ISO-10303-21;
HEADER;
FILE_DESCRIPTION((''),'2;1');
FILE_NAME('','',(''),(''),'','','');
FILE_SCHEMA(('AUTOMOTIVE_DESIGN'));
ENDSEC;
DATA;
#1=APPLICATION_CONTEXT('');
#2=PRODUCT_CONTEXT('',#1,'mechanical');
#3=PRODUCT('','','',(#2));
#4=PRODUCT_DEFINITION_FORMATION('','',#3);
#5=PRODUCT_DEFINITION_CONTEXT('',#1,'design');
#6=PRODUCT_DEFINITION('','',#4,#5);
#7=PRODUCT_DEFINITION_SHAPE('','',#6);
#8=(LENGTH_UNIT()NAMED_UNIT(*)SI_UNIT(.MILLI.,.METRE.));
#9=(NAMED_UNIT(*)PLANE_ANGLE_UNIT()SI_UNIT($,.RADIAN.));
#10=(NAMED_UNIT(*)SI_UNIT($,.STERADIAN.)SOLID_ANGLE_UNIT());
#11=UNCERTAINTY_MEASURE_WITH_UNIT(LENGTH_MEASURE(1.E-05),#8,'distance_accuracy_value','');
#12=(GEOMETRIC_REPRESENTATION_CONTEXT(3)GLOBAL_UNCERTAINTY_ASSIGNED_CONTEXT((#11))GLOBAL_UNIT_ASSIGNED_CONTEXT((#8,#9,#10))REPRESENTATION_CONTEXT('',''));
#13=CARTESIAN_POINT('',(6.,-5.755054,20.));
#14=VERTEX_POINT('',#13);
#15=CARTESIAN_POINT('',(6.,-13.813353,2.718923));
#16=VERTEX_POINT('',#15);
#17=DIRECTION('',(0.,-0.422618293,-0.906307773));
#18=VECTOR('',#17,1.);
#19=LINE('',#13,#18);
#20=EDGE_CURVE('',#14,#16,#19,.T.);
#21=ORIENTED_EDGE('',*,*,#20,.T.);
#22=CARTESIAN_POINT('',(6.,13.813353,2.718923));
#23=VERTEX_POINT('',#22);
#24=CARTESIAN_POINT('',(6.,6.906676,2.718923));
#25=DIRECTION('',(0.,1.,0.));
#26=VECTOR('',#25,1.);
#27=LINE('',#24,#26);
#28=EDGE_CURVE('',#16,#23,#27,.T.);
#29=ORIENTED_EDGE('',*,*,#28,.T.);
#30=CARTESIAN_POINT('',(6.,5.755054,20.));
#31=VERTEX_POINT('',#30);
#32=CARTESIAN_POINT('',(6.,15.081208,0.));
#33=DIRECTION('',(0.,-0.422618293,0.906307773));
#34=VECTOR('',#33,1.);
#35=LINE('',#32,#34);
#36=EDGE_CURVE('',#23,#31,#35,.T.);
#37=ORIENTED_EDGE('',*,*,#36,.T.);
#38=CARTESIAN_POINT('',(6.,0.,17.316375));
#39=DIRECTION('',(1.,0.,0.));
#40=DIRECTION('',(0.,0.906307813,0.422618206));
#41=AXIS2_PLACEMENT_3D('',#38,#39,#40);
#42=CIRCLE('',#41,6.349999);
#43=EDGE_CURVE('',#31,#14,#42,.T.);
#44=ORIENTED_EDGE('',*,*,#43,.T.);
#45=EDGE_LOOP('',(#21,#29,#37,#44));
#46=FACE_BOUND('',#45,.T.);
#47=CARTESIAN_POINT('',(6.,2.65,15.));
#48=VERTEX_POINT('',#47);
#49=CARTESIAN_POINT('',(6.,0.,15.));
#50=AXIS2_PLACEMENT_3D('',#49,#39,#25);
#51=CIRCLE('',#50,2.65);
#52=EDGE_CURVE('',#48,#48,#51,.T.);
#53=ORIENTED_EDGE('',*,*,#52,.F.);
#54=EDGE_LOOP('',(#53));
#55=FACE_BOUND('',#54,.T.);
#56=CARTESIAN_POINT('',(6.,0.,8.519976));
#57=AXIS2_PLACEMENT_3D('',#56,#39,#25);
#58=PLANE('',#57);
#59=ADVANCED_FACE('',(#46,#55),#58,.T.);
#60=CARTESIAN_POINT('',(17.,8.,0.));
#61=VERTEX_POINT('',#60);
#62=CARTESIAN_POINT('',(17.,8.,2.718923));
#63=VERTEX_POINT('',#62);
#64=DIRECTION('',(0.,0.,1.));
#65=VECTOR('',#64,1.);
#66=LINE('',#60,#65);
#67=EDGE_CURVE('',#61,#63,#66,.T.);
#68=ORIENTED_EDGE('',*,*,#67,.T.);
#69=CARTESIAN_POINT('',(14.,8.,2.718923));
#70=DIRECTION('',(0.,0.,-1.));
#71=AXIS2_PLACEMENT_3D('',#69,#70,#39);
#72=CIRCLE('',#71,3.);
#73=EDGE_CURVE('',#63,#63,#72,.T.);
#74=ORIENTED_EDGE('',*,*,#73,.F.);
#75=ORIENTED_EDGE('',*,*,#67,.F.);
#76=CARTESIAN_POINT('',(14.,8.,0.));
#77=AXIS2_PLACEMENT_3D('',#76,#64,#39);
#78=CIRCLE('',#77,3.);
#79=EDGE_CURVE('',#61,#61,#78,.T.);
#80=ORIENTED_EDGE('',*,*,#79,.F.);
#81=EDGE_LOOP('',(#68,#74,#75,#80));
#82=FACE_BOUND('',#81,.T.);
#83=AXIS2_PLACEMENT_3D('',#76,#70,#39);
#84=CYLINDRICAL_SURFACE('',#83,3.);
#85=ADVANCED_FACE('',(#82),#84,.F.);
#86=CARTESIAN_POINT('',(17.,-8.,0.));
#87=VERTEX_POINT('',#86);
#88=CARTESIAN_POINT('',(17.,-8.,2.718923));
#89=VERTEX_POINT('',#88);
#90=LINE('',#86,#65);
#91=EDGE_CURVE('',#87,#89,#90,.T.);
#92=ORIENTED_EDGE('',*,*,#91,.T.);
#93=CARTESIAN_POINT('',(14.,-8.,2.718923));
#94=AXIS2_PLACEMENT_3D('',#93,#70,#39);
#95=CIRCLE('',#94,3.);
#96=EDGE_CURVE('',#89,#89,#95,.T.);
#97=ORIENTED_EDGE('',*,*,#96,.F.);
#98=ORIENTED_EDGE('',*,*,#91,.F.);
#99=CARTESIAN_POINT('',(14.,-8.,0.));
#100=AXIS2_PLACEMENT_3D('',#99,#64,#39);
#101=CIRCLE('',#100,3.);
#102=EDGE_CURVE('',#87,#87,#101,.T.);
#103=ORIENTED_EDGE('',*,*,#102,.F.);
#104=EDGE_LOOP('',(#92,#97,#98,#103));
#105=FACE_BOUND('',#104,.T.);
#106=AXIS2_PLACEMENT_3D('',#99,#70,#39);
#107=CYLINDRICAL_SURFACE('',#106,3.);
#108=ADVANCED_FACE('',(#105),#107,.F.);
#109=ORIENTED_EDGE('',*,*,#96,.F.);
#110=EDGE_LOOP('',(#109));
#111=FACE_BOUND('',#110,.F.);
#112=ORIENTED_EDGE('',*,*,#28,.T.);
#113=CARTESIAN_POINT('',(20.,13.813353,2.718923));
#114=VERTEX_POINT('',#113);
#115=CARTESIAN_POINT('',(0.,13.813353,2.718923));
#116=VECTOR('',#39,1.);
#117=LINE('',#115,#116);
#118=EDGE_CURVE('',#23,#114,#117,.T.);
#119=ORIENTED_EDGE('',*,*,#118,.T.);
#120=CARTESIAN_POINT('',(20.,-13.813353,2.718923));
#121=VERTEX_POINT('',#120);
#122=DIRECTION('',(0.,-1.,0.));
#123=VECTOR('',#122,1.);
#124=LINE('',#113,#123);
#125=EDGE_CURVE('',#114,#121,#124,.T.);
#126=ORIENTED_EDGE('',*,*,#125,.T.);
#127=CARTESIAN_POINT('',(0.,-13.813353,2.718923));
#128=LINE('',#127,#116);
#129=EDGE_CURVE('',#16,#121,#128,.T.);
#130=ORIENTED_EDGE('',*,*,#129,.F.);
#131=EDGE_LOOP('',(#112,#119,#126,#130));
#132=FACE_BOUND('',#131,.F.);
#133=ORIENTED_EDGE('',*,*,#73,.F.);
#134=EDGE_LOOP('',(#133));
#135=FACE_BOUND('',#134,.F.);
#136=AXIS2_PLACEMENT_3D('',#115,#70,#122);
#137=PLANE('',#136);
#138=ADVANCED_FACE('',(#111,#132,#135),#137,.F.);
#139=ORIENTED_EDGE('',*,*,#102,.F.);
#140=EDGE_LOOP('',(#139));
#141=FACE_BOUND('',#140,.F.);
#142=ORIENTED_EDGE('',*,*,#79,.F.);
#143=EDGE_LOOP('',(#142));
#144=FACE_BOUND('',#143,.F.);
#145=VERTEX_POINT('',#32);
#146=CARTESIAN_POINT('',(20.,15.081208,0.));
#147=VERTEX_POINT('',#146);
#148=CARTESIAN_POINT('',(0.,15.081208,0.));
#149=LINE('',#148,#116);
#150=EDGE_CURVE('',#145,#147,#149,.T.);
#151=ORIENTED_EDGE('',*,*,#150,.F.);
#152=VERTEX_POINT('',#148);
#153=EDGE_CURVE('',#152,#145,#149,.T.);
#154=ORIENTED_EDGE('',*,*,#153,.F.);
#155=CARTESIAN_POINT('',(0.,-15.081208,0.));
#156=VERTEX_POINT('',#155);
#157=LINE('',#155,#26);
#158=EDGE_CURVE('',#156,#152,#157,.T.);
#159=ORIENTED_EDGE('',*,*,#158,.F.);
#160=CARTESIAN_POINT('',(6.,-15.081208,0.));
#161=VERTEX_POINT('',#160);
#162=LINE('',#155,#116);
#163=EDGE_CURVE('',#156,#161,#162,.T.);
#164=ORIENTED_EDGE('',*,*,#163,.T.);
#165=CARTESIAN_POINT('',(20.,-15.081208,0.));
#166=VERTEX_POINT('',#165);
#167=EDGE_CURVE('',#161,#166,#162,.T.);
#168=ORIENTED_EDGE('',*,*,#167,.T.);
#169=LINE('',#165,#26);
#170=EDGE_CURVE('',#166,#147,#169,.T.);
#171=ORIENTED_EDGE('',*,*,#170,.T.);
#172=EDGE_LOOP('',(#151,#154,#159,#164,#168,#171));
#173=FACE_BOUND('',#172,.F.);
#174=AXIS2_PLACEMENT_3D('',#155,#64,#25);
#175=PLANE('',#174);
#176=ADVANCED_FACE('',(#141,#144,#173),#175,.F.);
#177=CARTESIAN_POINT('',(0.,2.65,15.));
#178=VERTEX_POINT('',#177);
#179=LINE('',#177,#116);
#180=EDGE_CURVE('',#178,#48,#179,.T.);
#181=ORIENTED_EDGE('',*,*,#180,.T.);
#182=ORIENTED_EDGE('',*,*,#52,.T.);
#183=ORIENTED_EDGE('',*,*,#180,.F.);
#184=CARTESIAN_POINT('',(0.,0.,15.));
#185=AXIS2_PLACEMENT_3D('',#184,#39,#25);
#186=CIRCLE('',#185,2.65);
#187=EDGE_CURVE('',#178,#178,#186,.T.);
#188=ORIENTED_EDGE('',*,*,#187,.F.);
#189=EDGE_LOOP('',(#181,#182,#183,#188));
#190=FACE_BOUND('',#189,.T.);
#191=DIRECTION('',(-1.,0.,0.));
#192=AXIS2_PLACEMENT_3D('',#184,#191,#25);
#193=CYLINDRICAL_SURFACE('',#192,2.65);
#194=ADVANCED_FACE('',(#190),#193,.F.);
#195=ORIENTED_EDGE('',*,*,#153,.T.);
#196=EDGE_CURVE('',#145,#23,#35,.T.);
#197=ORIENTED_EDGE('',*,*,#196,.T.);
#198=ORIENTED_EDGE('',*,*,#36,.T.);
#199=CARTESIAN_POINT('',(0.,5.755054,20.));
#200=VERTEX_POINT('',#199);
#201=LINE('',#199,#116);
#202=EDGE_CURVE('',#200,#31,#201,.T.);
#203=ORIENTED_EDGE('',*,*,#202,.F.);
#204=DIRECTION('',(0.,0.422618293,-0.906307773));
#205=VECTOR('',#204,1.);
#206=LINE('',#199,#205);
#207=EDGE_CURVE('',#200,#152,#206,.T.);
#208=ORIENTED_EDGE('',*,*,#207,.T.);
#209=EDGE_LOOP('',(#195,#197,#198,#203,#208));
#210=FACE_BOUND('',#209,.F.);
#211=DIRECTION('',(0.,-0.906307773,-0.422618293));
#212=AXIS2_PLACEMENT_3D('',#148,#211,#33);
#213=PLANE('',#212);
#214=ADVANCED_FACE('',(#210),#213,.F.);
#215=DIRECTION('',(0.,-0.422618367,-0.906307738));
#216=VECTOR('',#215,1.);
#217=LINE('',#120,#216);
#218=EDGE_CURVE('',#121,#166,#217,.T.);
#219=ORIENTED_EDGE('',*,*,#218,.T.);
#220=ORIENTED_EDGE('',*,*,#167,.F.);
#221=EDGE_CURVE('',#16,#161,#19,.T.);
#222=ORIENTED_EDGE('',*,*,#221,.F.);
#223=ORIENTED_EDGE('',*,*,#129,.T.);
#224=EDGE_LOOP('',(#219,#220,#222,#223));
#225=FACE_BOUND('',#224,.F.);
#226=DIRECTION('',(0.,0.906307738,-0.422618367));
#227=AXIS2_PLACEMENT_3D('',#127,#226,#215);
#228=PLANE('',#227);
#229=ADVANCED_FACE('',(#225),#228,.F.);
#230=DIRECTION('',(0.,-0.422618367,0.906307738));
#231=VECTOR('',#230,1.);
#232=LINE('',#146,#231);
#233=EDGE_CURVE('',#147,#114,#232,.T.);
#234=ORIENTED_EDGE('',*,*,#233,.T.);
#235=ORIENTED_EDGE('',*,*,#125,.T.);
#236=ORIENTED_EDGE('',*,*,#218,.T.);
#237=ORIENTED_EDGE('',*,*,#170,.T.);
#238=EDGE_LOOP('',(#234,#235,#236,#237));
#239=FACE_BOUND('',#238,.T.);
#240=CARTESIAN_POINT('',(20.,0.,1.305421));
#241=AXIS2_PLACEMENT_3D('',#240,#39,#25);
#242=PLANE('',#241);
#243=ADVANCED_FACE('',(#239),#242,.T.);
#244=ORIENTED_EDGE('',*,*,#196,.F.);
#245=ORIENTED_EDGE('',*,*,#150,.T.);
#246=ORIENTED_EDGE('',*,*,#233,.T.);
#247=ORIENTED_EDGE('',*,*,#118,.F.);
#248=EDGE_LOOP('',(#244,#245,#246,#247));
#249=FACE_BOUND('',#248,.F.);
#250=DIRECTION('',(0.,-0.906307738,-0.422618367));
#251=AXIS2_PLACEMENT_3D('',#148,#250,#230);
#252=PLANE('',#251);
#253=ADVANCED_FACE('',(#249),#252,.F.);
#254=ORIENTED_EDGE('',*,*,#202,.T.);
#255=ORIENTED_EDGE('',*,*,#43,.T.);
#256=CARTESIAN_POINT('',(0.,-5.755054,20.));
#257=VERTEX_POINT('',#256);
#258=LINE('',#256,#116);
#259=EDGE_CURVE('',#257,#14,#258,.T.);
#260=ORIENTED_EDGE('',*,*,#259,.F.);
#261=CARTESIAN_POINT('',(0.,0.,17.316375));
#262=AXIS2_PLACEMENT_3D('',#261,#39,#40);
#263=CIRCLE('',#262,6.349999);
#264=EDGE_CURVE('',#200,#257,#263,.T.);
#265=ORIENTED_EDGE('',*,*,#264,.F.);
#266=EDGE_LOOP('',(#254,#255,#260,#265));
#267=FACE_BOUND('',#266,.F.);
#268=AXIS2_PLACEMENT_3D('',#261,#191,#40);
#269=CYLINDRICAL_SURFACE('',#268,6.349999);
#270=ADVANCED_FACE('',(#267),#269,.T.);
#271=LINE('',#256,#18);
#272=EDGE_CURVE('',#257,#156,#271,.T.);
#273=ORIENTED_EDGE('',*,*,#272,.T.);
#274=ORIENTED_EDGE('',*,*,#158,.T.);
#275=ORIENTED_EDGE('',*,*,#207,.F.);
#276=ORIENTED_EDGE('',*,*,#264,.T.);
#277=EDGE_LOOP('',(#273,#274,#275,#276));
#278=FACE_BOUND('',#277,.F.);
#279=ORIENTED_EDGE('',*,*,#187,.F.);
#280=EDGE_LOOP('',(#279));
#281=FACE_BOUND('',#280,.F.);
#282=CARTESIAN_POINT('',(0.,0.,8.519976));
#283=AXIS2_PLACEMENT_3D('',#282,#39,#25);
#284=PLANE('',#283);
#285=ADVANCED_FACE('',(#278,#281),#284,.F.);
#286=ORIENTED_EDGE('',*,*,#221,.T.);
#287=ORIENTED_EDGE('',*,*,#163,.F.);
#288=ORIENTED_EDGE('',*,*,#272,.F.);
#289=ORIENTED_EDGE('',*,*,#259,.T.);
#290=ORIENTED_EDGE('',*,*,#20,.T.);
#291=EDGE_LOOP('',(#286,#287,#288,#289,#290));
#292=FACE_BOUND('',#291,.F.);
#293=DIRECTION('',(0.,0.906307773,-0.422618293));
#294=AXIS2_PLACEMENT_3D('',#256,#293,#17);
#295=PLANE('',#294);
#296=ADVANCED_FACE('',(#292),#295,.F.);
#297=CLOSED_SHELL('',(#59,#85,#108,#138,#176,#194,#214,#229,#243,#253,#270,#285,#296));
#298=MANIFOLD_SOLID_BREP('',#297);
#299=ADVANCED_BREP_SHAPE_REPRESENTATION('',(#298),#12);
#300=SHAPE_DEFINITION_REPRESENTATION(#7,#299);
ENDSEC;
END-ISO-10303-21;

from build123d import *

# Parameters (mm, degrees)
F0_R     = 2.65
F1_DEPTH = 6
F3_DEPTH = 20
F4_R     = 3
F5_DEPTH = 25.4


with BuildPart() as f1:
    # F0 (on Right) → F1 (new body)
    with BuildSketch(Plane.YZ):
        with BuildLine():
            Line((-5.755054, 20), (-15.081208, 0))
            Line((-15.081208, 0), (0, 0))
            Line((0, 0), (15.081208, 0))
            Line((15.081208, 0), (5.755054, 20))
            ThreePointArc((5.755054, 20), (0, 23.666374), (-5.755054, 20))
        make_face()
        with Locations((0, 15)):
            Circle(F0_R, mode=Mode.SUBTRACT)
    extrude(amount=F1_DEPTH)

    # F2 (on Right) → F3 (join)
    with BuildSketch(Plane.YZ):
        Polygon((-13.813353, 2.718923), (-15.081208, 0), (15.081208, 0), (13.813353, 2.718923), align=None)
    extrude(amount=F3_DEPTH)

    # F4 (on Top) → F5 (cut)
    with BuildSketch(Plane.XY):
        with Locations((14, -8)):
            Circle(F4_R)
        with Locations((14, 8)):
            Circle(F4_R)
    extrude(amount=F5_DEPTH, mode=Mode.SUBTRACT)


solid = f1.part
